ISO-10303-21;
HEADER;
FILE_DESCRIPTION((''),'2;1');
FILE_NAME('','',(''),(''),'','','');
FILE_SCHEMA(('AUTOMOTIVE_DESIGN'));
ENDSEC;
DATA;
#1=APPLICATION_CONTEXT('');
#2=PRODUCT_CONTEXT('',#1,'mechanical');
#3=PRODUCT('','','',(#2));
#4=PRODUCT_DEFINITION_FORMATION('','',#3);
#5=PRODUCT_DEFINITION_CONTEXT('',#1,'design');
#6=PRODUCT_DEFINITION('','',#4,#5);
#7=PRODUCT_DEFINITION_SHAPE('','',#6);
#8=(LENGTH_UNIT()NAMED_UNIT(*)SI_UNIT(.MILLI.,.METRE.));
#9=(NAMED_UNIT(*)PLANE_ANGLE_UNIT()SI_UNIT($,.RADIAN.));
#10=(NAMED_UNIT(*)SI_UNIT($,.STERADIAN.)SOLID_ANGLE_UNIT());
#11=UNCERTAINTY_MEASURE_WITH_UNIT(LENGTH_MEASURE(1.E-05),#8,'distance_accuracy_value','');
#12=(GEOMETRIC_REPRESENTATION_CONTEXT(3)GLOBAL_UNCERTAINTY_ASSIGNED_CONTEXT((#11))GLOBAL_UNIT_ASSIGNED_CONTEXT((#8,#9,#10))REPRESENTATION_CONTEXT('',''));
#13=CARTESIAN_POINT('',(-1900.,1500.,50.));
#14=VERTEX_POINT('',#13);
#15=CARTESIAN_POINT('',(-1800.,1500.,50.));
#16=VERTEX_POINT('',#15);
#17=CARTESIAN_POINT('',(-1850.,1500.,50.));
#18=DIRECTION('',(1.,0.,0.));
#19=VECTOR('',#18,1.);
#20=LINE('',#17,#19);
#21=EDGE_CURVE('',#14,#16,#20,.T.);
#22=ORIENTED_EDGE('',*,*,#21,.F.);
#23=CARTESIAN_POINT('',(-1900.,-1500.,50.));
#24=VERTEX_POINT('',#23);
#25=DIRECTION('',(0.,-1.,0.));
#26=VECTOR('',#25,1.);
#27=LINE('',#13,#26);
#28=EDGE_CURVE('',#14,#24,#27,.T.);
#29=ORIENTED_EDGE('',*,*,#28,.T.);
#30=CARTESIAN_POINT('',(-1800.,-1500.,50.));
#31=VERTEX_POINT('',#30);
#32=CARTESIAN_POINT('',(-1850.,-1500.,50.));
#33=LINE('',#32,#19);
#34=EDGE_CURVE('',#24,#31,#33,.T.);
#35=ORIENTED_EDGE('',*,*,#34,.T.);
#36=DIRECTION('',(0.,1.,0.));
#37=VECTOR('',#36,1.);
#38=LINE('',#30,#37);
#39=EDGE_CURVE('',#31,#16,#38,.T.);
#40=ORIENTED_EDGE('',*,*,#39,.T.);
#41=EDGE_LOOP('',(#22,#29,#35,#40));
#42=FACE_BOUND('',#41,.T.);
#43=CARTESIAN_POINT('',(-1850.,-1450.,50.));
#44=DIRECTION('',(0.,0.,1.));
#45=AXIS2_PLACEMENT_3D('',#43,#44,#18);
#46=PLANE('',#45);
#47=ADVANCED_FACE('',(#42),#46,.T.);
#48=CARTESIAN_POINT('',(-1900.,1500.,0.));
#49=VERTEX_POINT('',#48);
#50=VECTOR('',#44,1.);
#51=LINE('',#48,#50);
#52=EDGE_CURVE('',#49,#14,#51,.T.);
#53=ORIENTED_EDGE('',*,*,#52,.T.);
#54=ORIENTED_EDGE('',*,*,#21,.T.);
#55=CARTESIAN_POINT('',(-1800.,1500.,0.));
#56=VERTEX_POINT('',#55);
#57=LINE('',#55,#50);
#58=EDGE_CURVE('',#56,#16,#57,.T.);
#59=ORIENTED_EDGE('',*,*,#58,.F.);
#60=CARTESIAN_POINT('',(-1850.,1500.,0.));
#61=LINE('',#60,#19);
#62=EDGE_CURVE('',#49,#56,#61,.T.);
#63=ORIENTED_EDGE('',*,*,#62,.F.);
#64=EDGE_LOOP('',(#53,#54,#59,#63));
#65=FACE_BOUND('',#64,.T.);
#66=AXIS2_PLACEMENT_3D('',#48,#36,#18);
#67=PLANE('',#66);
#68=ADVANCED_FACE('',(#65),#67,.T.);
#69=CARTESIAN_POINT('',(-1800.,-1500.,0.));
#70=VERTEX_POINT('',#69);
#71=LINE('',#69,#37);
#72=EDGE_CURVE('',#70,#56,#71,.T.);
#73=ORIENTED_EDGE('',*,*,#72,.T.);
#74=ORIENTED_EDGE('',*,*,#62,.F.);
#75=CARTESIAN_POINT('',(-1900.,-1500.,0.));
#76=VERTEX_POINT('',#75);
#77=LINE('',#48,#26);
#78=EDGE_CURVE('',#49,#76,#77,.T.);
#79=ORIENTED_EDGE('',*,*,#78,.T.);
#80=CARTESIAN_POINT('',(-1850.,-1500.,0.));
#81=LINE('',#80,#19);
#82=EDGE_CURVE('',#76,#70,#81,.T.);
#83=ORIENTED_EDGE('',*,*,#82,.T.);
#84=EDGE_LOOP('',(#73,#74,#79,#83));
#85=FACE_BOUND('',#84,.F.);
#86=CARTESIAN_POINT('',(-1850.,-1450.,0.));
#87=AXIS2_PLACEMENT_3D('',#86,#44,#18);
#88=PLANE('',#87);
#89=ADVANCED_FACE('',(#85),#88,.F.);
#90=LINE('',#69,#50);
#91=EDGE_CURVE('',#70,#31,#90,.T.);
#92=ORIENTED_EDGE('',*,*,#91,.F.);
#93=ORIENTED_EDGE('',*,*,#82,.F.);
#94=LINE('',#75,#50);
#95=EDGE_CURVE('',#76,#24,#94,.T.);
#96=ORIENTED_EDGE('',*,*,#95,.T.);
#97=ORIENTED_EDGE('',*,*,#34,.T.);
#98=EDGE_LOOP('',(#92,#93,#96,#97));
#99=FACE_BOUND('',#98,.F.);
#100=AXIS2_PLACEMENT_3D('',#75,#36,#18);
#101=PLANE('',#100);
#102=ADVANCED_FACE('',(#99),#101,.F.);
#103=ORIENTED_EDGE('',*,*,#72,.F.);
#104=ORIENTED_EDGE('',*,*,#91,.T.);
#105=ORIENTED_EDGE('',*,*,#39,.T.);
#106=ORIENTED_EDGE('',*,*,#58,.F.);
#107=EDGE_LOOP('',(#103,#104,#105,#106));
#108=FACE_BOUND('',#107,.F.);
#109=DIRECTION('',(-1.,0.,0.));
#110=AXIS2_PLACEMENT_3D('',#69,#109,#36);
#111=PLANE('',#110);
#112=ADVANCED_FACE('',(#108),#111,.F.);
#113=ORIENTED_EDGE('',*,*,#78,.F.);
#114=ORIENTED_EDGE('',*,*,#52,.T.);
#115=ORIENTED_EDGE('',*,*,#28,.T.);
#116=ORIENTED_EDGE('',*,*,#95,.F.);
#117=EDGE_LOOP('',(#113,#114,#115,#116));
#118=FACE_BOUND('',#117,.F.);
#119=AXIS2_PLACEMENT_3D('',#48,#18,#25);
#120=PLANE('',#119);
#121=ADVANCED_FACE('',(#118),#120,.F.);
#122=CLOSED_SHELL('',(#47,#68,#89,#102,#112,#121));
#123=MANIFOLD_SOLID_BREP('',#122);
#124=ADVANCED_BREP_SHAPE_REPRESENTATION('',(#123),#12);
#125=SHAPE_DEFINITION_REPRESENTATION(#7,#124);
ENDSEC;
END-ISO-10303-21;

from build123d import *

# Parameters (mm, degrees)
F0_W     = 100
F0_H     = 100
F0_H_2   = 2800
F1_DEPTH = 50


with BuildPart() as f1:
    # F0 (on Top) → F1 (new body)
    with BuildSketch(Plane.XY):
        with Locations((-1850, -1450)):
            Rectangle(F0_W, F0_H)
        with Locations((-1850, 1450)):
            Rectangle(F0_W, F0_H)
        with Locations((-1850, 0)):
            Rectangle(F0_W, F0_H_2)
    extrude(amount=F1_DEPTH)


solid = f1.part
